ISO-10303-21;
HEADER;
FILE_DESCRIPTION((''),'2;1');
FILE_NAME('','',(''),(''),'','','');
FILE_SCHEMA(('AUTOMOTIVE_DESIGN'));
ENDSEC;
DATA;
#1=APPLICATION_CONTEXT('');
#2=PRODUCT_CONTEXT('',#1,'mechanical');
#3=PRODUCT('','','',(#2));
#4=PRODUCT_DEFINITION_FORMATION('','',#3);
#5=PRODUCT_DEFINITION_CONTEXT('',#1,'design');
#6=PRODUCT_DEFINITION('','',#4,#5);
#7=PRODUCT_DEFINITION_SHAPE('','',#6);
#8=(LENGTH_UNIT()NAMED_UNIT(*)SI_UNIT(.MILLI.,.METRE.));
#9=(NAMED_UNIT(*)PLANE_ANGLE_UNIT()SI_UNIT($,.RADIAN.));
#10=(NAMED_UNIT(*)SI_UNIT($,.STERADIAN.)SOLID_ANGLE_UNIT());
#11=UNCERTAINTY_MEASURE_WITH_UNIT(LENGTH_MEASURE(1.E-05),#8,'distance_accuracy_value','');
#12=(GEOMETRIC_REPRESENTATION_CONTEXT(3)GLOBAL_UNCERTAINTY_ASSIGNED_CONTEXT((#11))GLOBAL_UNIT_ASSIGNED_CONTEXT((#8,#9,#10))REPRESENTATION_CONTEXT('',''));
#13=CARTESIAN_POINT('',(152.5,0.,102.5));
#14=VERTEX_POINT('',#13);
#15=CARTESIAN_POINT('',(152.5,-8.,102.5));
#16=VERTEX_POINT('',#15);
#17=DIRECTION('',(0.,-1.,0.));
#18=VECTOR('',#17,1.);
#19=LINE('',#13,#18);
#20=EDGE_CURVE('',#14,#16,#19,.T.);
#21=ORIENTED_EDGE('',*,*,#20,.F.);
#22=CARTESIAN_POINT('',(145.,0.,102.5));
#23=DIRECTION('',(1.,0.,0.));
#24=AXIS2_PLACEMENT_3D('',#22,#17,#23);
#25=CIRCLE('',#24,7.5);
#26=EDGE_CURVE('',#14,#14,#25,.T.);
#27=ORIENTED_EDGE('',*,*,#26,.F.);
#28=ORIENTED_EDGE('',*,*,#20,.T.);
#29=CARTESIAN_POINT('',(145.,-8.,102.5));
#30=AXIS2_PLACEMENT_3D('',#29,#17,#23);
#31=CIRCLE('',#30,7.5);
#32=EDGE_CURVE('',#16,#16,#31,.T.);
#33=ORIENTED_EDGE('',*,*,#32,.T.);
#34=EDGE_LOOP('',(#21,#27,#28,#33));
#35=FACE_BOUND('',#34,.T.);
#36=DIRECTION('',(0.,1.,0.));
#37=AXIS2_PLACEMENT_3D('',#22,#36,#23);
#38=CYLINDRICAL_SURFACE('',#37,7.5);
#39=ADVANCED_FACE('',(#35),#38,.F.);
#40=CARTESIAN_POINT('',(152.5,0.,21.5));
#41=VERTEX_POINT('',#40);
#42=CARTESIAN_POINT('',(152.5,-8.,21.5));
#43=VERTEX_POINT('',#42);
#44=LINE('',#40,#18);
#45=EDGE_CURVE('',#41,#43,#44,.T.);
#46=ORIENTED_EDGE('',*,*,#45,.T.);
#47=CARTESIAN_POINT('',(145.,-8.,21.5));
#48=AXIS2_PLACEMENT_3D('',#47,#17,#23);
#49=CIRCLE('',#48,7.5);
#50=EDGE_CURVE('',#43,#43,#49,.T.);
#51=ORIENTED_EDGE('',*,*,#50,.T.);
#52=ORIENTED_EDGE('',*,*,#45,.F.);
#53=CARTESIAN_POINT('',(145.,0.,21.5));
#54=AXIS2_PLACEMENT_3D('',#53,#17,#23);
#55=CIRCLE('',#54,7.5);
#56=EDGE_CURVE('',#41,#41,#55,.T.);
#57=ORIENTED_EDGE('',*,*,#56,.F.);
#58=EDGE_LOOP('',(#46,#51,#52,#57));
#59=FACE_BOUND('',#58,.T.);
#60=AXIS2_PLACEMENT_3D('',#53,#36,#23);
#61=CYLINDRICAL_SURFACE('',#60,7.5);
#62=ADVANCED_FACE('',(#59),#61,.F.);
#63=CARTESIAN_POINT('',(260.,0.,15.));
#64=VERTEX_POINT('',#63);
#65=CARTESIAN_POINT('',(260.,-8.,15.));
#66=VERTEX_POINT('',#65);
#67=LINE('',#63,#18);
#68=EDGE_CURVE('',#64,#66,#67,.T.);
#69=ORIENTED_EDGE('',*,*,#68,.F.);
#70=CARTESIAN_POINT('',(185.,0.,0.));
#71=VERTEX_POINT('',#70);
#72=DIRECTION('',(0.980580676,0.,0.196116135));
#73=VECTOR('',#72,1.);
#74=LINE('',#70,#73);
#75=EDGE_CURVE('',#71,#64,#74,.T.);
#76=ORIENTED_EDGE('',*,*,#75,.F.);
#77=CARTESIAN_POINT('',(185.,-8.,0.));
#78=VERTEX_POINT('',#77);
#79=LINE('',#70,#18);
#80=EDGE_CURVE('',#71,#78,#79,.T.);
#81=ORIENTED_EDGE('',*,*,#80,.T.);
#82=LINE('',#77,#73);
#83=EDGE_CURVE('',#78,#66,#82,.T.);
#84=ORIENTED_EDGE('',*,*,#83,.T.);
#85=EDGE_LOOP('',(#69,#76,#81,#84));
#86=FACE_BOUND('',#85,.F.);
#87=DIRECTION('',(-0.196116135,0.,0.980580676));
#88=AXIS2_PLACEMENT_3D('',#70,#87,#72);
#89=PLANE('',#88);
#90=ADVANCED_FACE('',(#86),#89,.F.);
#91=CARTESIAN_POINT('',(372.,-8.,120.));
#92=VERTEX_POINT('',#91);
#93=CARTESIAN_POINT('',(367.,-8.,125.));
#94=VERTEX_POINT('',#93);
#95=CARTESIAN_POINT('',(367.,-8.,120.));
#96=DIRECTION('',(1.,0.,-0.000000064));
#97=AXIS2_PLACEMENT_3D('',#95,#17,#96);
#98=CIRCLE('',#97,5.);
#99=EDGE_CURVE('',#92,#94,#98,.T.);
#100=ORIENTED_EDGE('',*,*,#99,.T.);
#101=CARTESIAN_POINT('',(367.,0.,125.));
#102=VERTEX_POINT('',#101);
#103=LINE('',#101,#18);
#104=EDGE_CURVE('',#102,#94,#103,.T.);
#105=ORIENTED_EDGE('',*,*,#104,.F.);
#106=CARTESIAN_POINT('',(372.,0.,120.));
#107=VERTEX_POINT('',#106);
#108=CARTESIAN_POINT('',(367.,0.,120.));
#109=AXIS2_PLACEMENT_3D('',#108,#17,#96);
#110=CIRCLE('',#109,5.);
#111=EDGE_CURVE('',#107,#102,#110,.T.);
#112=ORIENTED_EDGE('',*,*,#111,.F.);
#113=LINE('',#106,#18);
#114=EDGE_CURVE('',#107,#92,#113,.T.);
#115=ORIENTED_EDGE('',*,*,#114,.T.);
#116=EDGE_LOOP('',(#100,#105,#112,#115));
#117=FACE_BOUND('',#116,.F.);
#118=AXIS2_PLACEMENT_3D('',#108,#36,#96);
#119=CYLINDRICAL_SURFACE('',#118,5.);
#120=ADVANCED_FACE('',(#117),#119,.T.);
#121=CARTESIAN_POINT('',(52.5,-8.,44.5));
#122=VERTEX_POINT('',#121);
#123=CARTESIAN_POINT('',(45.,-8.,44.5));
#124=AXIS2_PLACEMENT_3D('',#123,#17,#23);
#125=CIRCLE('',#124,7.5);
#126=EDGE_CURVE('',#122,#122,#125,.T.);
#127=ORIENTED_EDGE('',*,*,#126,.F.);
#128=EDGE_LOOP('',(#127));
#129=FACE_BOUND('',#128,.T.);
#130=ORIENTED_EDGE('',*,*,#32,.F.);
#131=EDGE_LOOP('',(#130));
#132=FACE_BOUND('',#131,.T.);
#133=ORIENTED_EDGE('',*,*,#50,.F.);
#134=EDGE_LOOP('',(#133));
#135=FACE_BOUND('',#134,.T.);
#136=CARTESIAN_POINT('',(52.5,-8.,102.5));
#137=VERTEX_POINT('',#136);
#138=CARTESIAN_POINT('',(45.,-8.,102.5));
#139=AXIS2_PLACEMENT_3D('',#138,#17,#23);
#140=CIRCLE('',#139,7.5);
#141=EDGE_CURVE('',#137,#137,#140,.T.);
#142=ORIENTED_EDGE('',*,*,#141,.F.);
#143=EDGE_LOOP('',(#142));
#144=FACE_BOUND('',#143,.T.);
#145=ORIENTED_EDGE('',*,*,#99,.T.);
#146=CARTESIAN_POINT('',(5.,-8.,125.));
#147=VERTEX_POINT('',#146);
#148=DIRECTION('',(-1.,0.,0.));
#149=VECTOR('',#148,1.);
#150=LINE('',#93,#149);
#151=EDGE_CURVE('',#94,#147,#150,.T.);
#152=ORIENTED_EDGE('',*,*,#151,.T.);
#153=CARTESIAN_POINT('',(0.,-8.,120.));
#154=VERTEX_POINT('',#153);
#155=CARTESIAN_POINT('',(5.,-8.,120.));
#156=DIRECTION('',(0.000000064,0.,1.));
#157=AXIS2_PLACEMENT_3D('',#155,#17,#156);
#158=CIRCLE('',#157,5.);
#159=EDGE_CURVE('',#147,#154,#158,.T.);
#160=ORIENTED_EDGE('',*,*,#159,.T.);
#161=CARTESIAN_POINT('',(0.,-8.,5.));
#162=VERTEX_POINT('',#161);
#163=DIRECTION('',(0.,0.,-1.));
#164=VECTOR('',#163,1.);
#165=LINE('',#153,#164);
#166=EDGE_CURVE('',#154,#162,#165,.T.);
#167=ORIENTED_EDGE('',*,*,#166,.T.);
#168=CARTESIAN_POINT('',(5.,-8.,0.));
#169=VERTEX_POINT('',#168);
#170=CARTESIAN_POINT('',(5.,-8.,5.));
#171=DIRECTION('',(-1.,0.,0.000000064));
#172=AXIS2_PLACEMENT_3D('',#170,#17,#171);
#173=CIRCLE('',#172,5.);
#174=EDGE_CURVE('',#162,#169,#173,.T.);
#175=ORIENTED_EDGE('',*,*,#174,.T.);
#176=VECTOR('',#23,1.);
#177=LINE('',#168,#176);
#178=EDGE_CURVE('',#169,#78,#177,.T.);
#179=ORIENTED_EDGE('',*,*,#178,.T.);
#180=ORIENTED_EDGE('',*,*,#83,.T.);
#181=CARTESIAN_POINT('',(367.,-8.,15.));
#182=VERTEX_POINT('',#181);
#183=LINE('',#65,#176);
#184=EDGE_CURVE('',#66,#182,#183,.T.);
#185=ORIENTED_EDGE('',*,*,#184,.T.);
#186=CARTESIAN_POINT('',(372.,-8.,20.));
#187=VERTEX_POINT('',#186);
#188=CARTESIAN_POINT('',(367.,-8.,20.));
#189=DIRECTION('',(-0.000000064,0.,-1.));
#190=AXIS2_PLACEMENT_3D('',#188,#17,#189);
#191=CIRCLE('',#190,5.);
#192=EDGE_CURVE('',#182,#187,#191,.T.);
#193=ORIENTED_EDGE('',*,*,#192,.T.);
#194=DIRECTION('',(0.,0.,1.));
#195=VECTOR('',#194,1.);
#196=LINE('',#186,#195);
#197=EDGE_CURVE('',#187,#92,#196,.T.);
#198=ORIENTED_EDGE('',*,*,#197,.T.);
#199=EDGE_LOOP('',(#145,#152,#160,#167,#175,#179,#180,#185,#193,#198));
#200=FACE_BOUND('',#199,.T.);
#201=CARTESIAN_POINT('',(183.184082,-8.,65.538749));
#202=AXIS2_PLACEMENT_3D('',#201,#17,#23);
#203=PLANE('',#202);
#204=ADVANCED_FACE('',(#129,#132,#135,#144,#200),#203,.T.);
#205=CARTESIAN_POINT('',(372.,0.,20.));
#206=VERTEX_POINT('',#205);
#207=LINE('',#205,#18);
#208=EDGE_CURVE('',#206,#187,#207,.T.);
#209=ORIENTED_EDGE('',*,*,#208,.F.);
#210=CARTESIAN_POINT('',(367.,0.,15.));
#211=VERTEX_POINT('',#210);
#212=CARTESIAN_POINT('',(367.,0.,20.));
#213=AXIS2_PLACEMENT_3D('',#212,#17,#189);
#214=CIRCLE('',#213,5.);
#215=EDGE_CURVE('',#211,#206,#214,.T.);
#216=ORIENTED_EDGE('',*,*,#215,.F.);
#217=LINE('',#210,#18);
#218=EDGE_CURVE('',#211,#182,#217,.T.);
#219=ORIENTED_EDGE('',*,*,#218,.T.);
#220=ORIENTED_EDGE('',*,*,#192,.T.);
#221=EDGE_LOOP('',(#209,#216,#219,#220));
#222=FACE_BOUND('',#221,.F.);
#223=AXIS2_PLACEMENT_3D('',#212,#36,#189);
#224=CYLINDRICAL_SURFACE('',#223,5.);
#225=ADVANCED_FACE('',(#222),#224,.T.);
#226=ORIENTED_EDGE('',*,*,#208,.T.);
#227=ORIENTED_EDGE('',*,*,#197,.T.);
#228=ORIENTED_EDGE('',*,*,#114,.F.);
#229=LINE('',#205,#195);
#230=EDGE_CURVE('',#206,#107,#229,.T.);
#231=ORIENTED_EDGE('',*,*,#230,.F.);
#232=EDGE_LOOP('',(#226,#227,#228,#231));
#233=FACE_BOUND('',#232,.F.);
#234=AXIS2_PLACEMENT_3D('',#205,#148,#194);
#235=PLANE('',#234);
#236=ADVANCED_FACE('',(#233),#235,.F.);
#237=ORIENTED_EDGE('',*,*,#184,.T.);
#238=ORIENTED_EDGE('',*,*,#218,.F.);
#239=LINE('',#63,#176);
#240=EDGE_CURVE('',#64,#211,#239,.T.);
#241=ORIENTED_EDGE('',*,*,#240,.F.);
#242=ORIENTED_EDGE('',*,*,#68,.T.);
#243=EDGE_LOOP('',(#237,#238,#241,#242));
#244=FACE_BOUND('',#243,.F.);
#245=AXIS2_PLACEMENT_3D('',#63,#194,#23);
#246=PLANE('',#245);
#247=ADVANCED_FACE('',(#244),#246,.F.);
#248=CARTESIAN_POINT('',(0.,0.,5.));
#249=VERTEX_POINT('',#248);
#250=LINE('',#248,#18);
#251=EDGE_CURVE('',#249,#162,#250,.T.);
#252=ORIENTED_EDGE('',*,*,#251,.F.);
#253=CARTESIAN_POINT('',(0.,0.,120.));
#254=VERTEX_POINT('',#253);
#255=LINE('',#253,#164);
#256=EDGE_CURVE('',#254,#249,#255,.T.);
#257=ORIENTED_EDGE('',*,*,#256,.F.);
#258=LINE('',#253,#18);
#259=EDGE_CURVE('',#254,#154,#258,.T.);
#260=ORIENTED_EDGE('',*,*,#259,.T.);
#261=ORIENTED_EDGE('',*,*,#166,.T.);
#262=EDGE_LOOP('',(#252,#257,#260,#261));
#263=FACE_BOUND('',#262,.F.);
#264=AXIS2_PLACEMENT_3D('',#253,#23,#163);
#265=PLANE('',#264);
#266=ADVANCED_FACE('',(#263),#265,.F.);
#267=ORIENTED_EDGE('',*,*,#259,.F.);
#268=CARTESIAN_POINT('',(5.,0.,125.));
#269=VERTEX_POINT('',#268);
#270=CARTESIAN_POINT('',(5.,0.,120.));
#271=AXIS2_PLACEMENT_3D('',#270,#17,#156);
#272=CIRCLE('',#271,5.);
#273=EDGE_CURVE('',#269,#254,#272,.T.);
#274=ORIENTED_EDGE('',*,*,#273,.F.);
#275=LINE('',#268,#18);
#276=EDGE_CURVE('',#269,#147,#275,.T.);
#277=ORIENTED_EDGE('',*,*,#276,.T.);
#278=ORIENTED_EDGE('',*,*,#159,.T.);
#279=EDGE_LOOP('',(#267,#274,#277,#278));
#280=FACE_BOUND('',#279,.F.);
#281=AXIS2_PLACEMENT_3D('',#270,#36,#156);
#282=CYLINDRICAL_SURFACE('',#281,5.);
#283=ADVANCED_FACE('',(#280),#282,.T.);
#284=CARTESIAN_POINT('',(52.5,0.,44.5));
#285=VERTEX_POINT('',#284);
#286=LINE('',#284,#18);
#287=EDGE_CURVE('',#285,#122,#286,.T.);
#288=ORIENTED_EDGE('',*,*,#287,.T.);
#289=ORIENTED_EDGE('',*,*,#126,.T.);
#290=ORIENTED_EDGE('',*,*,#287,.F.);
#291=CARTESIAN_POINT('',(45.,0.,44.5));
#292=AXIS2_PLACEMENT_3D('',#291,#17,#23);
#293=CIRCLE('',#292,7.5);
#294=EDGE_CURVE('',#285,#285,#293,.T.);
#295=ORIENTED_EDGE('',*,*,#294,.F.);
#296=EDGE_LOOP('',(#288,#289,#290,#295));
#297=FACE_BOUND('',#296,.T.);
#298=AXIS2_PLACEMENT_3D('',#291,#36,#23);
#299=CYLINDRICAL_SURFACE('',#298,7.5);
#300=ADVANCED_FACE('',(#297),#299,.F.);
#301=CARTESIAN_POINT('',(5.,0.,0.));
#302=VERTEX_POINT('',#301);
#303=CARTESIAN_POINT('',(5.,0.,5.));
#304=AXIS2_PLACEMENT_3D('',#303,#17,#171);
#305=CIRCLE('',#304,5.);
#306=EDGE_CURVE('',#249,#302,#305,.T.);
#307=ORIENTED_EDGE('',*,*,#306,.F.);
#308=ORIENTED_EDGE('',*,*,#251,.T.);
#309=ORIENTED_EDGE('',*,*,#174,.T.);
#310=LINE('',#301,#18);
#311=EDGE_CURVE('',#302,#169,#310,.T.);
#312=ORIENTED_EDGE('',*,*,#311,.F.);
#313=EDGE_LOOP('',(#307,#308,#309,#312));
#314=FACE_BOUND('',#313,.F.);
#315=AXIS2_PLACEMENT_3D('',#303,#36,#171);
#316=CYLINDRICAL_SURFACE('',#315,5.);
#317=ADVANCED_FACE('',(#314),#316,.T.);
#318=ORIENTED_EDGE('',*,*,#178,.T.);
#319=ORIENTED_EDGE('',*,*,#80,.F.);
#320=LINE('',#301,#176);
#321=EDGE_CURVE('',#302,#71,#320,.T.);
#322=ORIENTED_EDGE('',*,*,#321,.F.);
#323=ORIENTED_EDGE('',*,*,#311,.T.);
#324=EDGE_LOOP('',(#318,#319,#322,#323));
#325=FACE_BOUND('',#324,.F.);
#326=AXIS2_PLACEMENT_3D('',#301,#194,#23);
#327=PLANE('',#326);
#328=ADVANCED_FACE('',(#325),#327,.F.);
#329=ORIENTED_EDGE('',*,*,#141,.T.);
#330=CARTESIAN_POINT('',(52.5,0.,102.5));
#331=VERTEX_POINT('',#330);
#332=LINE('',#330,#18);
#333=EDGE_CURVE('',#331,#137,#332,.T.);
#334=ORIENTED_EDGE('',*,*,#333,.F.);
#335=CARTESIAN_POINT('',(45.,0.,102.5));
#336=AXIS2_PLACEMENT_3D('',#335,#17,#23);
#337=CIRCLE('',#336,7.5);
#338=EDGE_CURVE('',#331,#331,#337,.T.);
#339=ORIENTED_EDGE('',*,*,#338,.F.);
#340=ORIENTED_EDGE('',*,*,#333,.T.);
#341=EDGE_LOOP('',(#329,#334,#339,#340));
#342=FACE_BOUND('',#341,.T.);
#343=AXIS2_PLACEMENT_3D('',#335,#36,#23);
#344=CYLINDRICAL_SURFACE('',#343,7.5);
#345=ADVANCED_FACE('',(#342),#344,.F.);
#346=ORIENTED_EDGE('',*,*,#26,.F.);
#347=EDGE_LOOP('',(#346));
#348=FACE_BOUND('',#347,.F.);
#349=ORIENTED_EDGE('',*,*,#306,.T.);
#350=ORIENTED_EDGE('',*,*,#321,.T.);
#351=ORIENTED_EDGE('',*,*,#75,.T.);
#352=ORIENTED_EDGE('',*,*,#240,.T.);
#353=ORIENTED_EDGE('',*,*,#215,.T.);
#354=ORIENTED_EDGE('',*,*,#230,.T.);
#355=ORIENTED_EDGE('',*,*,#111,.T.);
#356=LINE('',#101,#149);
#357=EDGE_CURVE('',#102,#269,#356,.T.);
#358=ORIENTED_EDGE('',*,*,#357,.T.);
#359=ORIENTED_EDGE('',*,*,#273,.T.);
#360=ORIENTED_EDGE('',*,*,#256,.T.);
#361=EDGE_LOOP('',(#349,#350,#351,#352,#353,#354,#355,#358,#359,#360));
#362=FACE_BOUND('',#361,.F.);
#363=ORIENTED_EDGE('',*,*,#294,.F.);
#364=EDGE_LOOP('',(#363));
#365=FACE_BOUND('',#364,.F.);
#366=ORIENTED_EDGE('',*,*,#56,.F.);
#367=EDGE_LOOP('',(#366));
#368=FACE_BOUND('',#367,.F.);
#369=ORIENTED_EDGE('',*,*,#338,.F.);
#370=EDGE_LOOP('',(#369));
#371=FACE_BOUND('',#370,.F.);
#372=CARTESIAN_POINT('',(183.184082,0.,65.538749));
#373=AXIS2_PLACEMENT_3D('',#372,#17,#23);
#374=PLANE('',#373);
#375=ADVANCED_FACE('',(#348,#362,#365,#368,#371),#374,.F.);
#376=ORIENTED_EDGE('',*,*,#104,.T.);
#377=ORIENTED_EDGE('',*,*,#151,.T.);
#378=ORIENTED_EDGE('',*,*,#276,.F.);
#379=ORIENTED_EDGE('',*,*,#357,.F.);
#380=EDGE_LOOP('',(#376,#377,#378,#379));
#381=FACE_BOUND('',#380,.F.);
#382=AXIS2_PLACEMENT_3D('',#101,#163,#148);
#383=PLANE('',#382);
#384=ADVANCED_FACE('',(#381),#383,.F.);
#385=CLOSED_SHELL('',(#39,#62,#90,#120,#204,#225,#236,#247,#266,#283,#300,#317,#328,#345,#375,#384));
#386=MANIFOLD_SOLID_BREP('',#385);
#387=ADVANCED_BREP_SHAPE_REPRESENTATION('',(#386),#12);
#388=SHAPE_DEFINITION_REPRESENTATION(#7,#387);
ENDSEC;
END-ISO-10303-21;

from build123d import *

# Parameters (mm, degrees)
F0_R     = 7.5
F1_DEPTH = 8


with BuildPart() as f1:
    # F0 (on Front) → F1 (new body)
    with BuildSketch(Plane.XZ):
        with BuildLine():
            Line((0, 120), (0, 5))
            ThreePointArc((0, 5), (1.464466, 1.464466), (5, 0))
            Line((5, 0), (185, 0))
            Line((185, 0), (260, 15))
            Line((260, 15), (367, 15))
            ThreePointArc((367, 15), (370.535534, 16.464466), (372, 20))
            Line((372, 20), (372, 120))
            ThreePointArc((372, 120), (370.535534, 123.535534), (367, 125))
            Line((367, 125), (5, 125))
            ThreePointArc((5, 125), (1.464466, 123.535534), (0, 120))
        make_face()
        with Locations((145, 21.5)):
            Circle(F0_R, mode=Mode.SUBTRACT)
        with Locations((45, 44.5)):
            Circle(F0_R, mode=Mode.SUBTRACT)
        with Locations((45, 102.5)):
            Circle(F0_R, mode=Mode.SUBTRACT)
        with Locations((145, 102.5)):
            Circle(F0_R, mode=Mode.SUBTRACT)
    extrude(amount=F1_DEPTH)


solid = f1.part
